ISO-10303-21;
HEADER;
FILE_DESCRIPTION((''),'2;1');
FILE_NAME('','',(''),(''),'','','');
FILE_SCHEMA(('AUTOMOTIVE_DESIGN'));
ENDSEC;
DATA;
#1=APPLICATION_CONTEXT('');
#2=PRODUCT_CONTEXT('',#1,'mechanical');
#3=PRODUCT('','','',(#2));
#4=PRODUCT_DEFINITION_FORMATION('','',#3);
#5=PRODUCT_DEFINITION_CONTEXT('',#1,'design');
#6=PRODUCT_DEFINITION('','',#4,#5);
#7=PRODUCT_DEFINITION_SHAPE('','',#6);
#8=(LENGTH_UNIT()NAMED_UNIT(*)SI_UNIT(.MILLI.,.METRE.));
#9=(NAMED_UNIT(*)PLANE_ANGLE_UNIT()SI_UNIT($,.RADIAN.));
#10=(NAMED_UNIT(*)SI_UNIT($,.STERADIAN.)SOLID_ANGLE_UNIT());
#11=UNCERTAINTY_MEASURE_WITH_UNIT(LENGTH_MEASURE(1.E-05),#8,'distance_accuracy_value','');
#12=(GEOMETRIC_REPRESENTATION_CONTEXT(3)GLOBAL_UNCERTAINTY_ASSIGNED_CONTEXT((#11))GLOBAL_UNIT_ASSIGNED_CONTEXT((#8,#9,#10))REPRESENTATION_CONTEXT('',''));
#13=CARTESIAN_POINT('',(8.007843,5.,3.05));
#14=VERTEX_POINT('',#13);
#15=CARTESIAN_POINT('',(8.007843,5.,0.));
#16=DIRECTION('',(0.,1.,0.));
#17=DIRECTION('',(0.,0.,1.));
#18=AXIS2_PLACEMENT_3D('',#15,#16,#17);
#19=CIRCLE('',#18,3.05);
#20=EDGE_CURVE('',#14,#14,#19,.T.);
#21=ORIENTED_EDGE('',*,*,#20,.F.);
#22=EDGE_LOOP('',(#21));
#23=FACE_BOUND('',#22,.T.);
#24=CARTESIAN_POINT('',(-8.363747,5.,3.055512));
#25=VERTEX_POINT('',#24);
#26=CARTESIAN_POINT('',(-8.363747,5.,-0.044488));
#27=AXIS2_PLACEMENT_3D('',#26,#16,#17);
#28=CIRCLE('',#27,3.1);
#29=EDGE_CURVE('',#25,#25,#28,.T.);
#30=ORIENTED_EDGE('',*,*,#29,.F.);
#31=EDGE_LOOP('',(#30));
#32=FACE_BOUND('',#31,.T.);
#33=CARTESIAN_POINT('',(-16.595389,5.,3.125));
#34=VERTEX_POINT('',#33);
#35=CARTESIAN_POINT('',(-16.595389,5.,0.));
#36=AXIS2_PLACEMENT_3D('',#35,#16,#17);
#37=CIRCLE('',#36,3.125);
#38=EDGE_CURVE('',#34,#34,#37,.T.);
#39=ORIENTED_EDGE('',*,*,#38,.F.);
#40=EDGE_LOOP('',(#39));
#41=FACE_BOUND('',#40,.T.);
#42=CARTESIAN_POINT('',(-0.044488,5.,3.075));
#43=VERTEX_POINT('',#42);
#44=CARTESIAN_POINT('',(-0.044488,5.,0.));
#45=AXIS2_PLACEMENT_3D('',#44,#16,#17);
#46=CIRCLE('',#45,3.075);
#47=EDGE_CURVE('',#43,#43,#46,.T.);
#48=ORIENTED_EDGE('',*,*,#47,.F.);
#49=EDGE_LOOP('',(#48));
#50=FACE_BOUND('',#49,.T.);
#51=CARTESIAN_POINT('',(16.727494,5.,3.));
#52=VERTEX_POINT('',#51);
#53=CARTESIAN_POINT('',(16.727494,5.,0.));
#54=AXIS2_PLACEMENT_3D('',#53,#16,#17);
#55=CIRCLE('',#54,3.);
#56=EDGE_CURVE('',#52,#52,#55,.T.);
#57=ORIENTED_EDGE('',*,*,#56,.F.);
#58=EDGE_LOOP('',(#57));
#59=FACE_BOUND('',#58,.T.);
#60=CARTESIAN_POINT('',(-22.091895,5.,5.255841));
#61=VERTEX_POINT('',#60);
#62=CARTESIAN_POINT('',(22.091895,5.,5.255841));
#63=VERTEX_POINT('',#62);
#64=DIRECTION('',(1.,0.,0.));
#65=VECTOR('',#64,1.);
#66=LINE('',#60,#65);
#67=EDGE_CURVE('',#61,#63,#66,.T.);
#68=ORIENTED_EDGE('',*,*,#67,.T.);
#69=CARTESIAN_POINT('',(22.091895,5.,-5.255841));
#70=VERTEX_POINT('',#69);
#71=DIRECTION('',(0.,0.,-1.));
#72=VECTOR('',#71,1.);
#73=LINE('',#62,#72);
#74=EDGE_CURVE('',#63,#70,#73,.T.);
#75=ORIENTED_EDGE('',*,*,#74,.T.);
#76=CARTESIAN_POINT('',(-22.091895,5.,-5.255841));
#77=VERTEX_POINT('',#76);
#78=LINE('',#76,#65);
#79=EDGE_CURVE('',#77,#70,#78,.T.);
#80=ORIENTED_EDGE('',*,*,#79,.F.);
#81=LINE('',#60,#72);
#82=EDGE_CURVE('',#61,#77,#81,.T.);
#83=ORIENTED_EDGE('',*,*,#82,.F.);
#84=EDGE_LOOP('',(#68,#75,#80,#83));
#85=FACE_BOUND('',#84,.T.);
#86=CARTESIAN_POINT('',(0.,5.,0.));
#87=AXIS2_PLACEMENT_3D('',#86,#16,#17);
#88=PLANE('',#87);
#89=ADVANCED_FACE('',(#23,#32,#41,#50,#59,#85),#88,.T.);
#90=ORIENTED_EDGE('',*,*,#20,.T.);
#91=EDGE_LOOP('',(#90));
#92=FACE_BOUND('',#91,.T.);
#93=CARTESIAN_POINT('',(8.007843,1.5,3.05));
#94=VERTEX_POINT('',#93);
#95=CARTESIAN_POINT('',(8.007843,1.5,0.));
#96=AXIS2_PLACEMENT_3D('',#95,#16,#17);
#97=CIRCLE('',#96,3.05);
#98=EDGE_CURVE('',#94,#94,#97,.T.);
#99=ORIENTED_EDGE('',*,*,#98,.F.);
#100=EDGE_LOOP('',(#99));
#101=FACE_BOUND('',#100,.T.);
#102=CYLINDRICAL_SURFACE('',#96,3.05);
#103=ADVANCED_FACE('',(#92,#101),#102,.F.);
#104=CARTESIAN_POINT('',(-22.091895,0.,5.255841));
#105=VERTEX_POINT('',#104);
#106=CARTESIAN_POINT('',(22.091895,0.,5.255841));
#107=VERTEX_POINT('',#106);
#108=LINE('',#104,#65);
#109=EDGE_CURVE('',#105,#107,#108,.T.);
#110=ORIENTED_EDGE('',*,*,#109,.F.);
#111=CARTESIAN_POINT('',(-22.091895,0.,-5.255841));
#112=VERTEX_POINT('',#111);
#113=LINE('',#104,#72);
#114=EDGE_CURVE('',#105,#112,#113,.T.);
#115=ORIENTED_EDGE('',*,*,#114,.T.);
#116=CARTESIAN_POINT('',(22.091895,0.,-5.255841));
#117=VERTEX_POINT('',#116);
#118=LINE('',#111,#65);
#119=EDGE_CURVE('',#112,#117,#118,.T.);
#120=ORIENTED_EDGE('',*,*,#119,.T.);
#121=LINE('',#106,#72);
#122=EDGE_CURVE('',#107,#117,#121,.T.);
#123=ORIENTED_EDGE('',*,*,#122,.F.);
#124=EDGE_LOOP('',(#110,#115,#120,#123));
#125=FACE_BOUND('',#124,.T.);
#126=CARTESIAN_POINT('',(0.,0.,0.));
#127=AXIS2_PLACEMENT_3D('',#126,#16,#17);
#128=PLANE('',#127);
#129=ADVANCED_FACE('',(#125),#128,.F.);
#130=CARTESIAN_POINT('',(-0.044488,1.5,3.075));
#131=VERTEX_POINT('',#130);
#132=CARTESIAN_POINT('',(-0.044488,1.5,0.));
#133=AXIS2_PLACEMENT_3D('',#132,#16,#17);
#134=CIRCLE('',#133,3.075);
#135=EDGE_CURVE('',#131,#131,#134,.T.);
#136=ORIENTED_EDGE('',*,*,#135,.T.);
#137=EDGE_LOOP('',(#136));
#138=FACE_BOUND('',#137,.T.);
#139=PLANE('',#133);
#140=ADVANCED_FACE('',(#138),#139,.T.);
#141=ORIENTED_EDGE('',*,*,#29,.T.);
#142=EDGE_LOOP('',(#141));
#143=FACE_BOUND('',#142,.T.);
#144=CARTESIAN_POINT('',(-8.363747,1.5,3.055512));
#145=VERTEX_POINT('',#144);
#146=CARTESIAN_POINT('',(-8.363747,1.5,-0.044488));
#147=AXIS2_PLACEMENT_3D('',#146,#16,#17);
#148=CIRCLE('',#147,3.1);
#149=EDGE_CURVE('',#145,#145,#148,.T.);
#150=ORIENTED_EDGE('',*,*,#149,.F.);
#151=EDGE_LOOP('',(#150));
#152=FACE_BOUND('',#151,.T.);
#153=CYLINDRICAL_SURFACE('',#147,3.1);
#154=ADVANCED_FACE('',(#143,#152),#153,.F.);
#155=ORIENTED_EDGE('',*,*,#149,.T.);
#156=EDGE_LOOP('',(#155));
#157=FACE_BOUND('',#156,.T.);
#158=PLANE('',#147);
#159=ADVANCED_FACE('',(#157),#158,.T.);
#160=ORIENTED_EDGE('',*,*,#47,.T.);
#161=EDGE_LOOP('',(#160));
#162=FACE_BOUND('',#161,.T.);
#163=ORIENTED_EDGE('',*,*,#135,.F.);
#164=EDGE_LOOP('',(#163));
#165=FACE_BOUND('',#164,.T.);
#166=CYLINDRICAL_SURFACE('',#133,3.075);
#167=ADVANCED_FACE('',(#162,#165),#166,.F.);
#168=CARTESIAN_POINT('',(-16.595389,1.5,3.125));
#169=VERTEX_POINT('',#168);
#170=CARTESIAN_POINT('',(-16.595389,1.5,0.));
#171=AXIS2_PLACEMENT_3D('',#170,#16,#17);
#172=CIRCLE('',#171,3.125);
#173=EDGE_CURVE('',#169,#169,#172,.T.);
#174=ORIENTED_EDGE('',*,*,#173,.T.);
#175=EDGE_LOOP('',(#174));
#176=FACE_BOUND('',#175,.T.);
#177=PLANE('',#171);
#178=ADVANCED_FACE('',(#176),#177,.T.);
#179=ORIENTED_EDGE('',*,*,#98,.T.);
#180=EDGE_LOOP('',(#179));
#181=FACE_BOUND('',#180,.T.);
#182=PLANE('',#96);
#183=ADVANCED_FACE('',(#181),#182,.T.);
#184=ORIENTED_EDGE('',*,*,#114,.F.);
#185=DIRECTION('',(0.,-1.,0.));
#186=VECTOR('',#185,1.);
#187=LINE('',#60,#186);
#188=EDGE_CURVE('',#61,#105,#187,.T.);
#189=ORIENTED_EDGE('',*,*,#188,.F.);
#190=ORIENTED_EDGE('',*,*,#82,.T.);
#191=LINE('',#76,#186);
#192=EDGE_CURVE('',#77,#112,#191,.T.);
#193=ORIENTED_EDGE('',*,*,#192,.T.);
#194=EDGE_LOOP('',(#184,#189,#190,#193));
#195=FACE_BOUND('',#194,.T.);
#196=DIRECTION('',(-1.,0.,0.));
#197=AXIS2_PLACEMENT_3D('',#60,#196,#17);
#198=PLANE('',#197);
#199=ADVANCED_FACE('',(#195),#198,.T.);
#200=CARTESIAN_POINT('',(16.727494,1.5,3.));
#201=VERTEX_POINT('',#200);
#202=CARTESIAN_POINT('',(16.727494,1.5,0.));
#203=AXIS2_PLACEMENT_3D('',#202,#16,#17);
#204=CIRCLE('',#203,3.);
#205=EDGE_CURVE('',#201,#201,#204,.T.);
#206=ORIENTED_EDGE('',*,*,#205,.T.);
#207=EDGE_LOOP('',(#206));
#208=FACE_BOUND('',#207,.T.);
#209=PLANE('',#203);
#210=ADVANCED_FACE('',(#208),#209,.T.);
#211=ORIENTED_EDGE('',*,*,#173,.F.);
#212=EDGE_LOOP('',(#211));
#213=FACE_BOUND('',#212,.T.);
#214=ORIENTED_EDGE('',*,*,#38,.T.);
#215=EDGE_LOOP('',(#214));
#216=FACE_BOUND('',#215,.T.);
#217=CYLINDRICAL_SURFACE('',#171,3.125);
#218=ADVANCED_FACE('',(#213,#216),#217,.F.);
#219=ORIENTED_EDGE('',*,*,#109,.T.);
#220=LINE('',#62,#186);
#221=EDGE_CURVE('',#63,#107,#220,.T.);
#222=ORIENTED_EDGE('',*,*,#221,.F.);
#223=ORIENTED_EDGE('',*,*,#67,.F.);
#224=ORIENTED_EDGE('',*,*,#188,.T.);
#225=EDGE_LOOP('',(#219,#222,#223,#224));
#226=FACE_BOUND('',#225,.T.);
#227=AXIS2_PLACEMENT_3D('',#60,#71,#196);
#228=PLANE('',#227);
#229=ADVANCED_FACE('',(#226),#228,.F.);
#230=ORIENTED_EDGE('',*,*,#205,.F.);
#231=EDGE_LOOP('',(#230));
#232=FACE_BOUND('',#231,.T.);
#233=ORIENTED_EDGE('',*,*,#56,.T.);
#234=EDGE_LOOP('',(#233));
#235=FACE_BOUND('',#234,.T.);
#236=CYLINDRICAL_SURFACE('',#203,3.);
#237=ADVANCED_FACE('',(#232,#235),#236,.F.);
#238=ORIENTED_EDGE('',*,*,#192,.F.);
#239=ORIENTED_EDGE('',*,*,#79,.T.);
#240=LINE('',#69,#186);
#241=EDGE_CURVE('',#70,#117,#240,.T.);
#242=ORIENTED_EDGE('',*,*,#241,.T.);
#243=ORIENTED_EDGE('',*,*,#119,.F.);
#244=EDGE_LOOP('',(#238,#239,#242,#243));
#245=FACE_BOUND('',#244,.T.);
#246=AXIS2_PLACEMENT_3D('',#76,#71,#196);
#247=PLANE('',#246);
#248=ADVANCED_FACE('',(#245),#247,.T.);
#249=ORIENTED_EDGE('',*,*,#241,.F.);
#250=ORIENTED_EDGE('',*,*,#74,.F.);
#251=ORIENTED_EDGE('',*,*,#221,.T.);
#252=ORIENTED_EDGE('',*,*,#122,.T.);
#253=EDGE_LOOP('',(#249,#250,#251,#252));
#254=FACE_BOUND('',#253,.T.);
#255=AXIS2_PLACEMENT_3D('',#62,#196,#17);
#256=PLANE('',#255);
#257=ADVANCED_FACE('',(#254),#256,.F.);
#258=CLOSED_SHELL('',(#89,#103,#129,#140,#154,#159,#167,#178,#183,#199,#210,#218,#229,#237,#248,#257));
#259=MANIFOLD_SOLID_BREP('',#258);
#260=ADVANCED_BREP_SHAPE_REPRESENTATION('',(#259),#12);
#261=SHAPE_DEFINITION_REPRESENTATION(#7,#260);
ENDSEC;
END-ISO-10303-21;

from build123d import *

# Parameters (mm, degrees)
SKETCH4_W           = 44.183790648
SKETCH4_H           = 10.51168125
BOSS_EXTRUDE1_DEPTH = 5
SKETCH5_R           = 3.125
SKETCH5_R_2         = 3.1
SKETCH5_R_3         = 3.075
SKETCH5_R_4         = 3.05
SKETCH5_R_5         = 3
CUT_EXTRUDE1_DEPTH  = 3.5


with BuildPart() as part:
    # Sketch4 → Boss-Extrude1 (new body)
    with BuildSketch(Plane(origin=(0, 0, 0), x_dir=(1, 0, 0), z_dir=(0, 1, 0))):
        Rectangle(SKETCH4_W, SKETCH4_H)
    extrude(amount=BOSS_EXTRUDE1_DEPTH)

    # Sketch5 → Cut-Extrude1 (cut)
    with BuildSketch(Plane(origin=(0, 5, 0), x_dir=(1, 0, 0), z_dir=(0, 1, 0))):
        with Locations(Location((-16.59538934, 0, 0), (0, 0, 270))):
            Circle(SKETCH5_R)
        with Locations(Location((-8.363747216, 0.044488017, 0), (0, 0, 270))):
            Circle(SKETCH5_R_2)
        with Locations(Location((-0.044488017, 0, 0), (0, 0, 270))):
            Circle(SKETCH5_R_3)
        with Locations(Location((8.007843079, 0, 0), (0, 0, 270))):
            Circle(SKETCH5_R_4)
        with Locations(Location((16.727494433, 0, 0), (0, 0, 270))):
            Circle(SKETCH5_R_5)
    extrude(amount=-CUT_EXTRUDE1_DEPTH, mode=Mode.SUBTRACT)


solid = part.part
